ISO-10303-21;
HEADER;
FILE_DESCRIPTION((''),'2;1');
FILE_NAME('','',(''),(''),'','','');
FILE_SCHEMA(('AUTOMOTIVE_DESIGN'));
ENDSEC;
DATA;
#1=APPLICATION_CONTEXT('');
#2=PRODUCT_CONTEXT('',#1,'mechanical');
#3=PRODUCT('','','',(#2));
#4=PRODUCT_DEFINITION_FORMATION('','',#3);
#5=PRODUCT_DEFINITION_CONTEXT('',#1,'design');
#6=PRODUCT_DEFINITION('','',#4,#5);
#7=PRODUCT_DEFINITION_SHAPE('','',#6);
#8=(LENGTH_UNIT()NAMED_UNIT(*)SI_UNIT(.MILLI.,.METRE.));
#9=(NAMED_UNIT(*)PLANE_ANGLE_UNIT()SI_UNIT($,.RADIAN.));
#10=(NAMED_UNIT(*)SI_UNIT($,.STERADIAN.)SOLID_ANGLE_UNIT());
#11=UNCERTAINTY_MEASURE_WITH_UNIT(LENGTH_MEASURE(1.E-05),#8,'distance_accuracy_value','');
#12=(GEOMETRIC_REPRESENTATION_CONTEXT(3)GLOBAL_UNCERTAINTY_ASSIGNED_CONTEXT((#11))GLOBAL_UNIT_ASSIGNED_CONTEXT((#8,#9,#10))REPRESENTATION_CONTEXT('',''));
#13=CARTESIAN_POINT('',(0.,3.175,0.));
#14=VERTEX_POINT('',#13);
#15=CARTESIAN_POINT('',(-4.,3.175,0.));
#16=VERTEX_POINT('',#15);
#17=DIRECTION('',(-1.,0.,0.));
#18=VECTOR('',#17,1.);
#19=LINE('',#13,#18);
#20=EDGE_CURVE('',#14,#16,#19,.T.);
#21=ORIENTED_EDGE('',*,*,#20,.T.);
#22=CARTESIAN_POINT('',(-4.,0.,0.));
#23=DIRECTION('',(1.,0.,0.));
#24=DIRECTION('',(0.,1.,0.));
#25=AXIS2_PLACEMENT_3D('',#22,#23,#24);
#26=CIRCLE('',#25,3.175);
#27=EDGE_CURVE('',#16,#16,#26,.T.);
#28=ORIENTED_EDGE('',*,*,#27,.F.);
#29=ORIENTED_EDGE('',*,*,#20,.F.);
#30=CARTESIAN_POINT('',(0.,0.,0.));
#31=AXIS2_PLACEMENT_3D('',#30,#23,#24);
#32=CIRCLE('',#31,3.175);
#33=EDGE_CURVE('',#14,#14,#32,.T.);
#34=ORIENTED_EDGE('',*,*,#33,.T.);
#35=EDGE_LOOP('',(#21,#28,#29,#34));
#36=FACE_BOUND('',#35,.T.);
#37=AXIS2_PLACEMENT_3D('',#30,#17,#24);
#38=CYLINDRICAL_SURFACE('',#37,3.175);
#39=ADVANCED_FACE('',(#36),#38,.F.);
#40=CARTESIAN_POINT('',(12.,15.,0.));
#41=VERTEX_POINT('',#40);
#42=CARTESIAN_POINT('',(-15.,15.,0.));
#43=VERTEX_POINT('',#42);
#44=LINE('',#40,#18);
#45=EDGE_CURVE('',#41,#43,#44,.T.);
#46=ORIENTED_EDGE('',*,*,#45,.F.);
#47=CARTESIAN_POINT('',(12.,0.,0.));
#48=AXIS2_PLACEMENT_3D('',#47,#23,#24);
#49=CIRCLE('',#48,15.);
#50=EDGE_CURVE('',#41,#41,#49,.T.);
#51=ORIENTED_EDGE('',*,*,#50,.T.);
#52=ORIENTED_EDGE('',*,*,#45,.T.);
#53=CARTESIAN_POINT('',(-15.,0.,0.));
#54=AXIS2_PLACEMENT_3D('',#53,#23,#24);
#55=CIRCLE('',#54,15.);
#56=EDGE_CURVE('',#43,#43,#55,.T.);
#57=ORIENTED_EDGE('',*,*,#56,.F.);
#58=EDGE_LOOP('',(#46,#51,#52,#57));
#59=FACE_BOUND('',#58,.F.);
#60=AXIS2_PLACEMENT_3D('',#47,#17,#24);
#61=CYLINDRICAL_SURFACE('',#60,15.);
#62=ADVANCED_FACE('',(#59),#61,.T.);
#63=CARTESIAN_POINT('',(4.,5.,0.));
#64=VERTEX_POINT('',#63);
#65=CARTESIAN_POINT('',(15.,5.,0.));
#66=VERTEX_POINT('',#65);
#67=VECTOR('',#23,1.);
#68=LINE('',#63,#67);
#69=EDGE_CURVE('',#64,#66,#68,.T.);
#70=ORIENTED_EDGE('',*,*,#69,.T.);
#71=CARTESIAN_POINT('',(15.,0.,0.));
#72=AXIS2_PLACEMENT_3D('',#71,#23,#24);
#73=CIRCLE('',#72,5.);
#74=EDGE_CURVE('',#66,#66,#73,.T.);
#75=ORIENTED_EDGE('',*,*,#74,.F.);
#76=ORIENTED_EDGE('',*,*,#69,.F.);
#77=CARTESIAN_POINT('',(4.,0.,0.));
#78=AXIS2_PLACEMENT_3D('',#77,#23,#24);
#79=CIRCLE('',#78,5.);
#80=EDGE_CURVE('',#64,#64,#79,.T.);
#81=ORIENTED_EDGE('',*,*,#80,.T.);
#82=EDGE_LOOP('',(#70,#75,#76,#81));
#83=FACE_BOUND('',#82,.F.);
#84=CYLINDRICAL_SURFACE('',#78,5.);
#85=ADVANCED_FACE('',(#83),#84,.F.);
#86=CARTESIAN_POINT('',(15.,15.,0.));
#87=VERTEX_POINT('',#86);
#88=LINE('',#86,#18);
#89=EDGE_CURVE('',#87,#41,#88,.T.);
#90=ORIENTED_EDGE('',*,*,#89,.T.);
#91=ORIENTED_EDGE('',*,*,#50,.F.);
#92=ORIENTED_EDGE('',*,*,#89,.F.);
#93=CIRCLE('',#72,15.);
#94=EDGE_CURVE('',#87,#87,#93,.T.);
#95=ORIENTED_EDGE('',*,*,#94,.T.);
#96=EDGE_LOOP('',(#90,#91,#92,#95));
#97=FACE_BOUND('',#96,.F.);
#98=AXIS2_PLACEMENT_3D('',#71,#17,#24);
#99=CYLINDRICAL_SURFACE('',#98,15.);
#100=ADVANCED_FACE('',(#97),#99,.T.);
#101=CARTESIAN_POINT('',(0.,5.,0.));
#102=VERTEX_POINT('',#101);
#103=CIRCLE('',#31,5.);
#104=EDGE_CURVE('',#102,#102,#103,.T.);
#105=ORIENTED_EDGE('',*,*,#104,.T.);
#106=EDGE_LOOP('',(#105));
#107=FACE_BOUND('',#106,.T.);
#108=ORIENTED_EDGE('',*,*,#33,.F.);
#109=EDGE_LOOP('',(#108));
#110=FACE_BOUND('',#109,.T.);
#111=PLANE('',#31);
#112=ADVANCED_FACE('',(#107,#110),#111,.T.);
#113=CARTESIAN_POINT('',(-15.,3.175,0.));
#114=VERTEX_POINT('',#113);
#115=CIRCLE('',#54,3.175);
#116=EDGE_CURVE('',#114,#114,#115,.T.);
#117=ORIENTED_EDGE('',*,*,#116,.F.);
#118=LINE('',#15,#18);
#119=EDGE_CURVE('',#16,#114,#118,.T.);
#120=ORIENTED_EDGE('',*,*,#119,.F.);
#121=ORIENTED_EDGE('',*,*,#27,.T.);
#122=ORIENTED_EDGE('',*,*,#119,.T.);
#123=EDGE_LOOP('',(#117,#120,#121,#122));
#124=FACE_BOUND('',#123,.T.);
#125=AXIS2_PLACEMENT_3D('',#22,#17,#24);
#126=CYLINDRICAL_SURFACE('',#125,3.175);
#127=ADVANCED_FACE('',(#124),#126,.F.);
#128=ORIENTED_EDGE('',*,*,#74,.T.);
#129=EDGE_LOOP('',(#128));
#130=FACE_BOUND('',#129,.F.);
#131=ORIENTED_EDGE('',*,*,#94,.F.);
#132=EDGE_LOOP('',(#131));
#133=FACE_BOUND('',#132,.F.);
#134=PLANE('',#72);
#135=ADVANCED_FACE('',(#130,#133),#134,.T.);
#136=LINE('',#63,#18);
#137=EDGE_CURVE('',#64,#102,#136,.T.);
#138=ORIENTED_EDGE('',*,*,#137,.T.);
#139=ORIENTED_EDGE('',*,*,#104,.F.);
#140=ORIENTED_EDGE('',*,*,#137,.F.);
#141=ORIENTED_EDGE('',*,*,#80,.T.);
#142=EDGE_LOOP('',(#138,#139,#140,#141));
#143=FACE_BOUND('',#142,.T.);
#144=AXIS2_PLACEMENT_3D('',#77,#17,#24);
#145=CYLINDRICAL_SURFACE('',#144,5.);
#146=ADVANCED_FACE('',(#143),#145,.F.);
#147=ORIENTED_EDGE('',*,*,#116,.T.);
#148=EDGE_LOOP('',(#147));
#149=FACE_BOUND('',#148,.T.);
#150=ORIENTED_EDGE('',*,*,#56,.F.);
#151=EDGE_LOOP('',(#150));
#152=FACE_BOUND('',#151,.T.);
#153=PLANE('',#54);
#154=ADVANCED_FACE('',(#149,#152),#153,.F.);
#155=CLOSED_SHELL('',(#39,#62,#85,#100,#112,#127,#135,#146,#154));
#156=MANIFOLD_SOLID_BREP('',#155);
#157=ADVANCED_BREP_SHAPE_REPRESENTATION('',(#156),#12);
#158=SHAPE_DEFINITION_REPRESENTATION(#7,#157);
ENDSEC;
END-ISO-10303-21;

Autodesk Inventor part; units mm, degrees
ref_plane "YZ Plane" through (0, 0, 0) normal (1, 0, 0) x (0, 1, 0)
ref_plane "XZ Plane" through (0, 0, 0) normal (0, 1, 0) x (-1, 0, 0)
ref_plane "XY Plane" through (0, 0, 0) normal (0, 0, 1) x (1, 0, 0)
sketch "Эскиз3" plane through (0, 0, 0) normal (0, 0, 1) x (1, 0, 0)
  line L0 (-20.1552, 0) -> (30.6288, 0)
  line L1 (15, 15) -> (12, 15)
  line L2 (15, 5) -> (15, 15)
  line L3 (-4, 3.175) -> (-15, 3.175)
  line L4 (-15, 3.175) -> (-15, 15)
  line L5 (4, 5) -> (15, 5)
  line L6 (-30.312, 0) -> (40.7856, 0) projected
  line L7 (4, 5) -> (0, 5)
  line L8 (0, 5) -> (0, 3.175)
  line L9 (0, 3.175) -> (-4, 3.175)
  line L10 (12, 15) -> (-15, 15)
  dimension "d43" = 6.35
  dimension "d50" = 30
  dimension "d51" = 10
  dimension "d61" = 30
revolve "Вращение5" add sketch "Эскиз3" angle 360 about axis through (-20.1552, 0, 0) along (1, 0, 0)
properties part number "DR-30-6,35x10"
